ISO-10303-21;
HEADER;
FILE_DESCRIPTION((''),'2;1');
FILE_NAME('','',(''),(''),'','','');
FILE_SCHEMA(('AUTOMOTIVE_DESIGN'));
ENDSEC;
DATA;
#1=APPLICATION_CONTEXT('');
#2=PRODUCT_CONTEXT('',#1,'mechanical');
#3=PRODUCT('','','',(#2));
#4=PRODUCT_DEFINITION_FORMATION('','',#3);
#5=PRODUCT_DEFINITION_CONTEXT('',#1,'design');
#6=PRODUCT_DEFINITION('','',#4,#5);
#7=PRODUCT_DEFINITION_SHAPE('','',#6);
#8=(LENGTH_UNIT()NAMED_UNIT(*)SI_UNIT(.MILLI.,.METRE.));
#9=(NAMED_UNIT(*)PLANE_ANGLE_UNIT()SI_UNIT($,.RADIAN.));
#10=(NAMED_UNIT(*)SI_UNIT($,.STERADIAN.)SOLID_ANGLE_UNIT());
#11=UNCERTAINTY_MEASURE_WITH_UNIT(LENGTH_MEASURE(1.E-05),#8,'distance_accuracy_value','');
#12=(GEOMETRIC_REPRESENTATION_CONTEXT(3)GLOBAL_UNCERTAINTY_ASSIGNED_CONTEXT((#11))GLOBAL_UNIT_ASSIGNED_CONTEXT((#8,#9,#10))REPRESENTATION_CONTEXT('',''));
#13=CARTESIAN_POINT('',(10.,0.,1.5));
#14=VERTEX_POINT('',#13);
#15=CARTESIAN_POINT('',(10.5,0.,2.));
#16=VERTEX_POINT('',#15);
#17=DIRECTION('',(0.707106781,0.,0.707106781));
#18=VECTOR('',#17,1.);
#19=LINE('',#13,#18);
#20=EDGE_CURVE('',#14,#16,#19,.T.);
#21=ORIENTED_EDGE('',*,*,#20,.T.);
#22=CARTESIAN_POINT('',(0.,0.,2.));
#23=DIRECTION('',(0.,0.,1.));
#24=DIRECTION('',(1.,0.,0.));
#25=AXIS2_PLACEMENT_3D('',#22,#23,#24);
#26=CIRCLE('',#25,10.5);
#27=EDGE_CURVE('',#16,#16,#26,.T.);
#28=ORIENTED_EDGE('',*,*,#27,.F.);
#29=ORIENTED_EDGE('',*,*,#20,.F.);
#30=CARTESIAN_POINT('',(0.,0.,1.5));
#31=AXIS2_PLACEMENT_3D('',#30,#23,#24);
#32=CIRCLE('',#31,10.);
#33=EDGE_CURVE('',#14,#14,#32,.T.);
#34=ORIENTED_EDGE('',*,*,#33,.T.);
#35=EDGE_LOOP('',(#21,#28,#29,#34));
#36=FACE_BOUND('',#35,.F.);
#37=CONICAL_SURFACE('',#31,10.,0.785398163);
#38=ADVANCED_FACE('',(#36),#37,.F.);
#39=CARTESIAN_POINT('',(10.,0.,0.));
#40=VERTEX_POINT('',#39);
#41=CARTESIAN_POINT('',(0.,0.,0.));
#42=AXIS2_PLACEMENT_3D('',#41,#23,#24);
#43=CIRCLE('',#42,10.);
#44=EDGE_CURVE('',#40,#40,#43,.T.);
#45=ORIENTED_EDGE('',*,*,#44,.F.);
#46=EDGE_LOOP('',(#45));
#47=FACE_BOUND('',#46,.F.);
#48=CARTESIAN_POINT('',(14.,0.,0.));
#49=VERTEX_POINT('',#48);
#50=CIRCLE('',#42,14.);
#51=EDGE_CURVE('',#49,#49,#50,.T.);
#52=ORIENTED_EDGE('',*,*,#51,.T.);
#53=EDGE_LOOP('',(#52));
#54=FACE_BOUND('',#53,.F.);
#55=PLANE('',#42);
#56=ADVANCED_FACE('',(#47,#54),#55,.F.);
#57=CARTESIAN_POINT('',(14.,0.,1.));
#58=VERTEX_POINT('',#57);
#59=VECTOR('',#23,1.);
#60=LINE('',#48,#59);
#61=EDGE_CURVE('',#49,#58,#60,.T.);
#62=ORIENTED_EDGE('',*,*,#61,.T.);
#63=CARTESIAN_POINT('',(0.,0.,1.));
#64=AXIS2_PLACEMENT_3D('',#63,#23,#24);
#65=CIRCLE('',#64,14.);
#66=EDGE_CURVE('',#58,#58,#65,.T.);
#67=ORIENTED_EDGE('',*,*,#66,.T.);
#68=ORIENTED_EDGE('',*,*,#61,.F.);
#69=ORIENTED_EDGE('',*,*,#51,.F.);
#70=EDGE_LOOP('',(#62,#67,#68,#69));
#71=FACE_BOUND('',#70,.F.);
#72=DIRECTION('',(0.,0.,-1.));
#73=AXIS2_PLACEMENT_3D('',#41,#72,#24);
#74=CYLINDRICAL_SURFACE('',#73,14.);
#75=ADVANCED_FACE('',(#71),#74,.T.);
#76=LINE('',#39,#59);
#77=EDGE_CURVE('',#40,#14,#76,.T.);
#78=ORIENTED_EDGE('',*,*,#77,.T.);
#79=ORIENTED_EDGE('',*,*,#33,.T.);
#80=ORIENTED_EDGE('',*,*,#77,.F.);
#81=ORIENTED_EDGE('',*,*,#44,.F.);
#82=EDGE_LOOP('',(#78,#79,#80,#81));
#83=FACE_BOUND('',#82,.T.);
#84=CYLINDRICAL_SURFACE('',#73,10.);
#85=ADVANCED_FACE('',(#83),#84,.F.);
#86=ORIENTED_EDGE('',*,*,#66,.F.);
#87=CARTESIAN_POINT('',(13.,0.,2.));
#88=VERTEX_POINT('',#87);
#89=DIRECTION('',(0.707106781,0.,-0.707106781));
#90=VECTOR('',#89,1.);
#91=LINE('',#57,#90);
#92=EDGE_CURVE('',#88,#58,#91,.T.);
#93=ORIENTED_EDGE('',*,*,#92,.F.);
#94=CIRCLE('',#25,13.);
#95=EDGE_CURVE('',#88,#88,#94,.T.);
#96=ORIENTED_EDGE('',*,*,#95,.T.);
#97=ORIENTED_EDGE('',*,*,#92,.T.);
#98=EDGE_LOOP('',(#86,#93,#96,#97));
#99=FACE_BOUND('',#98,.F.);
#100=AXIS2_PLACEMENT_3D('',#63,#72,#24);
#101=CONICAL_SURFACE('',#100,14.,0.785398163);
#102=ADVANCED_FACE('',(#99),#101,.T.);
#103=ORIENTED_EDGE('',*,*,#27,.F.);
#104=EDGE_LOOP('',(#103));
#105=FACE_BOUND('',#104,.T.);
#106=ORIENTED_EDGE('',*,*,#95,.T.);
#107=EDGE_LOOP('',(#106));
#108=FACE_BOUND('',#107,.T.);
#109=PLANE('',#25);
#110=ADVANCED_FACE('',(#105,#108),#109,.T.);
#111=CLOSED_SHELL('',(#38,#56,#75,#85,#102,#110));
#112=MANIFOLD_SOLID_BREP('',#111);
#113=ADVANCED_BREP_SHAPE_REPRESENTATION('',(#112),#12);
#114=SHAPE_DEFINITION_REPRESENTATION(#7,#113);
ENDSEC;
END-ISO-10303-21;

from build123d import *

# Parameters (mm, degrees)
SKETCH_R        = 14
SKETCH_R_2      = 10
PAD_DEPTH       = 2
CHAMFER_SIZE    = 0.5
CHAMFER001_SIZE = 1


with BuildPart() as part:
    # Sketch → Pad (new body)
    with BuildSketch(Plane.XY):
        Circle(SKETCH_R)
        Circle(SKETCH_R_2, mode=Mode.SUBTRACT)
    extrude(amount=PAD_DEPTH)

    # Chamfer
    chamfer_edges = [part.edges().sort_by_distance(p)[0] for p in [
        (-10, 0, 2),
    ]]
    chamfer(chamfer_edges, length=CHAMFER_SIZE)

    # Chamfer001
    chamfer001_edges = [part.edges().sort_by_distance(p)[0] for p in [
        (-14, 0, 2),
    ]]
    chamfer(chamfer001_edges, length=CHAMFER001_SIZE)


solid = part.part
